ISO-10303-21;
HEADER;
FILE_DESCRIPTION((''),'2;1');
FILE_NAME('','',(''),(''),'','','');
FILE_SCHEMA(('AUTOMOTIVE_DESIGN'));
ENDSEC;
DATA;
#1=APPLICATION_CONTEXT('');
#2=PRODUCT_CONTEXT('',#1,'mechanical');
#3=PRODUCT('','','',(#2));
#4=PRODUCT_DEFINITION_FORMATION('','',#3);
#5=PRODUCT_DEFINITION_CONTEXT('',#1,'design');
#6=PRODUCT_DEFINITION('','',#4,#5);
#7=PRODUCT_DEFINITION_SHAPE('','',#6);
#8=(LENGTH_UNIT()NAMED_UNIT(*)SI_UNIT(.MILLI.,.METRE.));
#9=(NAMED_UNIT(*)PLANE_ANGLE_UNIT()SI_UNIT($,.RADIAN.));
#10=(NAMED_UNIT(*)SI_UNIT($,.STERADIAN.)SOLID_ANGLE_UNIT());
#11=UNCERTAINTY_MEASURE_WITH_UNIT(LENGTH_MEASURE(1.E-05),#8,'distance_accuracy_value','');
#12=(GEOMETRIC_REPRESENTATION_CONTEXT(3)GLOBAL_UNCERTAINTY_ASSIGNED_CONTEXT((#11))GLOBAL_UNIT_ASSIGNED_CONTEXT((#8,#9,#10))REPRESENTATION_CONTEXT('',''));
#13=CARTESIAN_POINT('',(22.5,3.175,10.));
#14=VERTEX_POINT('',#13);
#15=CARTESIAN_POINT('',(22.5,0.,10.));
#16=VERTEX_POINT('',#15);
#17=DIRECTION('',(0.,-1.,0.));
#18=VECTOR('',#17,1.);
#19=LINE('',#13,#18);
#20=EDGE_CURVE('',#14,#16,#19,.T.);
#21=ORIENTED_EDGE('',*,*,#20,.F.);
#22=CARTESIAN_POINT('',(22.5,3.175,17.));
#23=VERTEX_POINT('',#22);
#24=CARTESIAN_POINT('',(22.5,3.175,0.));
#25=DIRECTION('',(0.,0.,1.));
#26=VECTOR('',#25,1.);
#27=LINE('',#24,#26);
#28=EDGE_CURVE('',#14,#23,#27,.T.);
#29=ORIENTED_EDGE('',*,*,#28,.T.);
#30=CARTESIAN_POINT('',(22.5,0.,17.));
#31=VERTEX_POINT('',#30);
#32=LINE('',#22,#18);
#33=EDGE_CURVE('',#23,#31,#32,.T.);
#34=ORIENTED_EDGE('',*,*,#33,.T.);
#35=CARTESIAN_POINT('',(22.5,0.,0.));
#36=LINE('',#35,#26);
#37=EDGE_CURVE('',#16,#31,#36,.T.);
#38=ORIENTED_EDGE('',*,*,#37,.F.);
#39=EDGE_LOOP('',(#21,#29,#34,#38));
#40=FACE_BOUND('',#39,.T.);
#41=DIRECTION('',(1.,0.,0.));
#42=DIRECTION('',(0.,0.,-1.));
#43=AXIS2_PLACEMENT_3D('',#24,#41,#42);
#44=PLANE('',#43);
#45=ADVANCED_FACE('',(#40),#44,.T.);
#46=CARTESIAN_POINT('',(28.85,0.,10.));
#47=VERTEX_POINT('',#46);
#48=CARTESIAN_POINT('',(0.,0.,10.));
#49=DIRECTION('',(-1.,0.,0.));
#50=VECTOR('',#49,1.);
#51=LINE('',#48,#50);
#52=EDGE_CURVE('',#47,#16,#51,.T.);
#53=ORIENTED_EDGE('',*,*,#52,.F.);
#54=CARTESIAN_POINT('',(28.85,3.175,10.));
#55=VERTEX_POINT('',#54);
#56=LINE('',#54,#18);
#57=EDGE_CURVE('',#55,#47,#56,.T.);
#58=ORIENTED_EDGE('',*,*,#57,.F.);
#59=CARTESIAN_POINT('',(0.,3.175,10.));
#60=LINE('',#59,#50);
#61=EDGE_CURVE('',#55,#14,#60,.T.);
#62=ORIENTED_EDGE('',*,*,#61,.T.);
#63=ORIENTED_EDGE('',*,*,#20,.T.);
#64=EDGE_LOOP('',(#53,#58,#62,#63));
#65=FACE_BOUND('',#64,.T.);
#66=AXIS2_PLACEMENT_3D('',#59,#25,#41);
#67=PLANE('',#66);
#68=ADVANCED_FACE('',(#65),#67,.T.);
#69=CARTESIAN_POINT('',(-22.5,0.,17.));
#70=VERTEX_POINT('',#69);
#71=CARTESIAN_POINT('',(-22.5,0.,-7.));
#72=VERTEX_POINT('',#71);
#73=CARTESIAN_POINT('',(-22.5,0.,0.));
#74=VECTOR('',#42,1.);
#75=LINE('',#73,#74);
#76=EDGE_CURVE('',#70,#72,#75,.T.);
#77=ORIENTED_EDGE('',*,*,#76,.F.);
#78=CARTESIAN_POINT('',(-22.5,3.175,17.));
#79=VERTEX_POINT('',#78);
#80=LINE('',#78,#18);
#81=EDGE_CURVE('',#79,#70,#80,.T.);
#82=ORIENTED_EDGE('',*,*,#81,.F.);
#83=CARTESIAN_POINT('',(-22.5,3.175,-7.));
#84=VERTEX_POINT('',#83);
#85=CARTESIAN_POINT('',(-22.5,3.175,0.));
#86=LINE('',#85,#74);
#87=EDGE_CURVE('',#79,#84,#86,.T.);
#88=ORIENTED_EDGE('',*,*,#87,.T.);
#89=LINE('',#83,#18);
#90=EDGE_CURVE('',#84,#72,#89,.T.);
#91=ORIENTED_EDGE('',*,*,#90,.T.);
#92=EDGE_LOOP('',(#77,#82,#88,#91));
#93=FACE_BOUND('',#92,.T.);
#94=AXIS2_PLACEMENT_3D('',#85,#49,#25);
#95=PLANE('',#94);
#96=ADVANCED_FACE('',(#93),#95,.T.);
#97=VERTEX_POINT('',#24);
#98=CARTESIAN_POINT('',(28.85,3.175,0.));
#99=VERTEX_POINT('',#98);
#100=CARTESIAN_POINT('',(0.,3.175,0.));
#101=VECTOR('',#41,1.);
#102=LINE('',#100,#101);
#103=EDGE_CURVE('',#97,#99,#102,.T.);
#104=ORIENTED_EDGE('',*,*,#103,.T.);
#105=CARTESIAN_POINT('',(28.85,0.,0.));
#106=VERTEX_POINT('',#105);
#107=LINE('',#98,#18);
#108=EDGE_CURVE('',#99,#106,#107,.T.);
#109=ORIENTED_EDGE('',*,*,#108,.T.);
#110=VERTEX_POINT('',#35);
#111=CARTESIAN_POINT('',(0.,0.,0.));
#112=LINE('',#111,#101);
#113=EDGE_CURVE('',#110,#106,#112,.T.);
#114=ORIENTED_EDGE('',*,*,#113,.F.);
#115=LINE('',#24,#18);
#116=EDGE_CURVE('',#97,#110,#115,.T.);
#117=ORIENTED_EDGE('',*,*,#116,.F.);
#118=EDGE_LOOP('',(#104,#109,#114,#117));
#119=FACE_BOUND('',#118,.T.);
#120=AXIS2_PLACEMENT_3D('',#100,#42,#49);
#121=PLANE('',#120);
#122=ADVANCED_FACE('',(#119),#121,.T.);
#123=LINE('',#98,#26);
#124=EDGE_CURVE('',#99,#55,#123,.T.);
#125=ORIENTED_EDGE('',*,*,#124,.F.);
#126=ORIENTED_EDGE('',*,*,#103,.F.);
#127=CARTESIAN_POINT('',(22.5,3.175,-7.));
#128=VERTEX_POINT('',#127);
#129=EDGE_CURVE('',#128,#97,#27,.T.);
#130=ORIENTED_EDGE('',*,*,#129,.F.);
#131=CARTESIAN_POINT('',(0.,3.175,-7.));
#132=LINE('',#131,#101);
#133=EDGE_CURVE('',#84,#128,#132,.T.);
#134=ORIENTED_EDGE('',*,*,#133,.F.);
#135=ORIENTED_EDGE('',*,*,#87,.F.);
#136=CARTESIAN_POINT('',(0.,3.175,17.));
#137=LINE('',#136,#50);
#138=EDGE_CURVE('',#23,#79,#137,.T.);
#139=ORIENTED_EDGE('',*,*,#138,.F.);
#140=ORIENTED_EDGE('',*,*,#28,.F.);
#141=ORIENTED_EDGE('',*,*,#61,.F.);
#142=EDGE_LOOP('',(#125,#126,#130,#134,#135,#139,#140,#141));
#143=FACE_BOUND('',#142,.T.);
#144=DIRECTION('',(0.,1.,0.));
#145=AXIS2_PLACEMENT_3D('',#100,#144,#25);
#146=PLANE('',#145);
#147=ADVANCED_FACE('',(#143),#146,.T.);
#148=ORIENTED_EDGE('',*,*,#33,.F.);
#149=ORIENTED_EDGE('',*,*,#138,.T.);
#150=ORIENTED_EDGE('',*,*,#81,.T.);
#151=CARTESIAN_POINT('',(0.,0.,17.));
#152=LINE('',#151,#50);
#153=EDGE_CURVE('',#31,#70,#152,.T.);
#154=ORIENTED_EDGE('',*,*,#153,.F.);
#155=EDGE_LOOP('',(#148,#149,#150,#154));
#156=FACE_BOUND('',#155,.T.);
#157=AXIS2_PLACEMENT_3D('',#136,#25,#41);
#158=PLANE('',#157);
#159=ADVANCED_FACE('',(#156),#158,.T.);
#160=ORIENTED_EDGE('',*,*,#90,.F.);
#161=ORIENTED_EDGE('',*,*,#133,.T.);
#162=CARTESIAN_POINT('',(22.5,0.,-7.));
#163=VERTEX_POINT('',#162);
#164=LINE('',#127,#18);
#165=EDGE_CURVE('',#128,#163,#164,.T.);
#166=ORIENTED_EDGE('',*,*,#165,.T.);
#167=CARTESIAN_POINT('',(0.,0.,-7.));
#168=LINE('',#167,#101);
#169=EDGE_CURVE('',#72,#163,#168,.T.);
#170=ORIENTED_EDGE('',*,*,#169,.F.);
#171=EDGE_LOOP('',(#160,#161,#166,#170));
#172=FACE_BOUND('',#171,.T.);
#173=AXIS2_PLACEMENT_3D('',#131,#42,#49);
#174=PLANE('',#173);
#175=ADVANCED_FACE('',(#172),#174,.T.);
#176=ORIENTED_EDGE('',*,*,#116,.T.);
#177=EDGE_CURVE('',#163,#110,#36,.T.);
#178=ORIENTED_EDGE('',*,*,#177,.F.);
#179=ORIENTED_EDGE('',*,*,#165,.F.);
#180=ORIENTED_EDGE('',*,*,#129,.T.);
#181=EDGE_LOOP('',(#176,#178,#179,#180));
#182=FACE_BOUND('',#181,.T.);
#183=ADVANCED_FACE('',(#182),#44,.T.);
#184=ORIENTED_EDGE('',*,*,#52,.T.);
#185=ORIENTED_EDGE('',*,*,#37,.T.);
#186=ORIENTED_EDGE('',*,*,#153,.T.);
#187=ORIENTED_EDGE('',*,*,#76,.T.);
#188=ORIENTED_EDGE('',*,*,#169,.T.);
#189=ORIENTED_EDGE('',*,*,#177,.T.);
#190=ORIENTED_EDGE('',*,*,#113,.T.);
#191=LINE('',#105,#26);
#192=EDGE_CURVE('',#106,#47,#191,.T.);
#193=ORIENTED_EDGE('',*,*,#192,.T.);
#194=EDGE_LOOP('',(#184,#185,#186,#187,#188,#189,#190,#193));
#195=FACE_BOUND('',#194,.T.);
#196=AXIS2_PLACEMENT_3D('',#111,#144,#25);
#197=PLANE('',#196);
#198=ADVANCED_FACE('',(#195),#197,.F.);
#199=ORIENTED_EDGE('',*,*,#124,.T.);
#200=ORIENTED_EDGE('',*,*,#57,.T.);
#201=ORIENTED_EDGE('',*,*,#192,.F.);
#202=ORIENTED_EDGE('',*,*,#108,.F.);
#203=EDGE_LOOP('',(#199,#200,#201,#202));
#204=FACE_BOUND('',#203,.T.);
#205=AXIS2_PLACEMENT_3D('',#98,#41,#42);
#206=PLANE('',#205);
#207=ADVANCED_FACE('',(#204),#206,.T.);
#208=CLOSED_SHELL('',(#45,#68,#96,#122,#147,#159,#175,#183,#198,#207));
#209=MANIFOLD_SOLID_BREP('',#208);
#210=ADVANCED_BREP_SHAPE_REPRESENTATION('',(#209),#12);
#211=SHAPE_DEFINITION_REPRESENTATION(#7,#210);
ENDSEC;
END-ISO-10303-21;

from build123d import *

# Parameters (mm, degrees)
BOSS_EXTRUDE1_DEPTH = 3.175


with BuildPart() as part:
    # Sketch1 → Boss-Extrude1 (new body)
    with BuildSketch(Plane(origin=(0, 0, 0), x_dir=(1, 0, 0), z_dir=(0, 1, 0))):
        Polygon((-22.5, 0), (-22.5, 7), (22.5, 7), (22.5, 0), (28.85, 0), (28.85, -10), (22.5, -10), (22.5, -17), (-22.5, -17), (-22.5, -10), align=None)
    extrude(amount=BOSS_EXTRUDE1_DEPTH)


solid = part.part
